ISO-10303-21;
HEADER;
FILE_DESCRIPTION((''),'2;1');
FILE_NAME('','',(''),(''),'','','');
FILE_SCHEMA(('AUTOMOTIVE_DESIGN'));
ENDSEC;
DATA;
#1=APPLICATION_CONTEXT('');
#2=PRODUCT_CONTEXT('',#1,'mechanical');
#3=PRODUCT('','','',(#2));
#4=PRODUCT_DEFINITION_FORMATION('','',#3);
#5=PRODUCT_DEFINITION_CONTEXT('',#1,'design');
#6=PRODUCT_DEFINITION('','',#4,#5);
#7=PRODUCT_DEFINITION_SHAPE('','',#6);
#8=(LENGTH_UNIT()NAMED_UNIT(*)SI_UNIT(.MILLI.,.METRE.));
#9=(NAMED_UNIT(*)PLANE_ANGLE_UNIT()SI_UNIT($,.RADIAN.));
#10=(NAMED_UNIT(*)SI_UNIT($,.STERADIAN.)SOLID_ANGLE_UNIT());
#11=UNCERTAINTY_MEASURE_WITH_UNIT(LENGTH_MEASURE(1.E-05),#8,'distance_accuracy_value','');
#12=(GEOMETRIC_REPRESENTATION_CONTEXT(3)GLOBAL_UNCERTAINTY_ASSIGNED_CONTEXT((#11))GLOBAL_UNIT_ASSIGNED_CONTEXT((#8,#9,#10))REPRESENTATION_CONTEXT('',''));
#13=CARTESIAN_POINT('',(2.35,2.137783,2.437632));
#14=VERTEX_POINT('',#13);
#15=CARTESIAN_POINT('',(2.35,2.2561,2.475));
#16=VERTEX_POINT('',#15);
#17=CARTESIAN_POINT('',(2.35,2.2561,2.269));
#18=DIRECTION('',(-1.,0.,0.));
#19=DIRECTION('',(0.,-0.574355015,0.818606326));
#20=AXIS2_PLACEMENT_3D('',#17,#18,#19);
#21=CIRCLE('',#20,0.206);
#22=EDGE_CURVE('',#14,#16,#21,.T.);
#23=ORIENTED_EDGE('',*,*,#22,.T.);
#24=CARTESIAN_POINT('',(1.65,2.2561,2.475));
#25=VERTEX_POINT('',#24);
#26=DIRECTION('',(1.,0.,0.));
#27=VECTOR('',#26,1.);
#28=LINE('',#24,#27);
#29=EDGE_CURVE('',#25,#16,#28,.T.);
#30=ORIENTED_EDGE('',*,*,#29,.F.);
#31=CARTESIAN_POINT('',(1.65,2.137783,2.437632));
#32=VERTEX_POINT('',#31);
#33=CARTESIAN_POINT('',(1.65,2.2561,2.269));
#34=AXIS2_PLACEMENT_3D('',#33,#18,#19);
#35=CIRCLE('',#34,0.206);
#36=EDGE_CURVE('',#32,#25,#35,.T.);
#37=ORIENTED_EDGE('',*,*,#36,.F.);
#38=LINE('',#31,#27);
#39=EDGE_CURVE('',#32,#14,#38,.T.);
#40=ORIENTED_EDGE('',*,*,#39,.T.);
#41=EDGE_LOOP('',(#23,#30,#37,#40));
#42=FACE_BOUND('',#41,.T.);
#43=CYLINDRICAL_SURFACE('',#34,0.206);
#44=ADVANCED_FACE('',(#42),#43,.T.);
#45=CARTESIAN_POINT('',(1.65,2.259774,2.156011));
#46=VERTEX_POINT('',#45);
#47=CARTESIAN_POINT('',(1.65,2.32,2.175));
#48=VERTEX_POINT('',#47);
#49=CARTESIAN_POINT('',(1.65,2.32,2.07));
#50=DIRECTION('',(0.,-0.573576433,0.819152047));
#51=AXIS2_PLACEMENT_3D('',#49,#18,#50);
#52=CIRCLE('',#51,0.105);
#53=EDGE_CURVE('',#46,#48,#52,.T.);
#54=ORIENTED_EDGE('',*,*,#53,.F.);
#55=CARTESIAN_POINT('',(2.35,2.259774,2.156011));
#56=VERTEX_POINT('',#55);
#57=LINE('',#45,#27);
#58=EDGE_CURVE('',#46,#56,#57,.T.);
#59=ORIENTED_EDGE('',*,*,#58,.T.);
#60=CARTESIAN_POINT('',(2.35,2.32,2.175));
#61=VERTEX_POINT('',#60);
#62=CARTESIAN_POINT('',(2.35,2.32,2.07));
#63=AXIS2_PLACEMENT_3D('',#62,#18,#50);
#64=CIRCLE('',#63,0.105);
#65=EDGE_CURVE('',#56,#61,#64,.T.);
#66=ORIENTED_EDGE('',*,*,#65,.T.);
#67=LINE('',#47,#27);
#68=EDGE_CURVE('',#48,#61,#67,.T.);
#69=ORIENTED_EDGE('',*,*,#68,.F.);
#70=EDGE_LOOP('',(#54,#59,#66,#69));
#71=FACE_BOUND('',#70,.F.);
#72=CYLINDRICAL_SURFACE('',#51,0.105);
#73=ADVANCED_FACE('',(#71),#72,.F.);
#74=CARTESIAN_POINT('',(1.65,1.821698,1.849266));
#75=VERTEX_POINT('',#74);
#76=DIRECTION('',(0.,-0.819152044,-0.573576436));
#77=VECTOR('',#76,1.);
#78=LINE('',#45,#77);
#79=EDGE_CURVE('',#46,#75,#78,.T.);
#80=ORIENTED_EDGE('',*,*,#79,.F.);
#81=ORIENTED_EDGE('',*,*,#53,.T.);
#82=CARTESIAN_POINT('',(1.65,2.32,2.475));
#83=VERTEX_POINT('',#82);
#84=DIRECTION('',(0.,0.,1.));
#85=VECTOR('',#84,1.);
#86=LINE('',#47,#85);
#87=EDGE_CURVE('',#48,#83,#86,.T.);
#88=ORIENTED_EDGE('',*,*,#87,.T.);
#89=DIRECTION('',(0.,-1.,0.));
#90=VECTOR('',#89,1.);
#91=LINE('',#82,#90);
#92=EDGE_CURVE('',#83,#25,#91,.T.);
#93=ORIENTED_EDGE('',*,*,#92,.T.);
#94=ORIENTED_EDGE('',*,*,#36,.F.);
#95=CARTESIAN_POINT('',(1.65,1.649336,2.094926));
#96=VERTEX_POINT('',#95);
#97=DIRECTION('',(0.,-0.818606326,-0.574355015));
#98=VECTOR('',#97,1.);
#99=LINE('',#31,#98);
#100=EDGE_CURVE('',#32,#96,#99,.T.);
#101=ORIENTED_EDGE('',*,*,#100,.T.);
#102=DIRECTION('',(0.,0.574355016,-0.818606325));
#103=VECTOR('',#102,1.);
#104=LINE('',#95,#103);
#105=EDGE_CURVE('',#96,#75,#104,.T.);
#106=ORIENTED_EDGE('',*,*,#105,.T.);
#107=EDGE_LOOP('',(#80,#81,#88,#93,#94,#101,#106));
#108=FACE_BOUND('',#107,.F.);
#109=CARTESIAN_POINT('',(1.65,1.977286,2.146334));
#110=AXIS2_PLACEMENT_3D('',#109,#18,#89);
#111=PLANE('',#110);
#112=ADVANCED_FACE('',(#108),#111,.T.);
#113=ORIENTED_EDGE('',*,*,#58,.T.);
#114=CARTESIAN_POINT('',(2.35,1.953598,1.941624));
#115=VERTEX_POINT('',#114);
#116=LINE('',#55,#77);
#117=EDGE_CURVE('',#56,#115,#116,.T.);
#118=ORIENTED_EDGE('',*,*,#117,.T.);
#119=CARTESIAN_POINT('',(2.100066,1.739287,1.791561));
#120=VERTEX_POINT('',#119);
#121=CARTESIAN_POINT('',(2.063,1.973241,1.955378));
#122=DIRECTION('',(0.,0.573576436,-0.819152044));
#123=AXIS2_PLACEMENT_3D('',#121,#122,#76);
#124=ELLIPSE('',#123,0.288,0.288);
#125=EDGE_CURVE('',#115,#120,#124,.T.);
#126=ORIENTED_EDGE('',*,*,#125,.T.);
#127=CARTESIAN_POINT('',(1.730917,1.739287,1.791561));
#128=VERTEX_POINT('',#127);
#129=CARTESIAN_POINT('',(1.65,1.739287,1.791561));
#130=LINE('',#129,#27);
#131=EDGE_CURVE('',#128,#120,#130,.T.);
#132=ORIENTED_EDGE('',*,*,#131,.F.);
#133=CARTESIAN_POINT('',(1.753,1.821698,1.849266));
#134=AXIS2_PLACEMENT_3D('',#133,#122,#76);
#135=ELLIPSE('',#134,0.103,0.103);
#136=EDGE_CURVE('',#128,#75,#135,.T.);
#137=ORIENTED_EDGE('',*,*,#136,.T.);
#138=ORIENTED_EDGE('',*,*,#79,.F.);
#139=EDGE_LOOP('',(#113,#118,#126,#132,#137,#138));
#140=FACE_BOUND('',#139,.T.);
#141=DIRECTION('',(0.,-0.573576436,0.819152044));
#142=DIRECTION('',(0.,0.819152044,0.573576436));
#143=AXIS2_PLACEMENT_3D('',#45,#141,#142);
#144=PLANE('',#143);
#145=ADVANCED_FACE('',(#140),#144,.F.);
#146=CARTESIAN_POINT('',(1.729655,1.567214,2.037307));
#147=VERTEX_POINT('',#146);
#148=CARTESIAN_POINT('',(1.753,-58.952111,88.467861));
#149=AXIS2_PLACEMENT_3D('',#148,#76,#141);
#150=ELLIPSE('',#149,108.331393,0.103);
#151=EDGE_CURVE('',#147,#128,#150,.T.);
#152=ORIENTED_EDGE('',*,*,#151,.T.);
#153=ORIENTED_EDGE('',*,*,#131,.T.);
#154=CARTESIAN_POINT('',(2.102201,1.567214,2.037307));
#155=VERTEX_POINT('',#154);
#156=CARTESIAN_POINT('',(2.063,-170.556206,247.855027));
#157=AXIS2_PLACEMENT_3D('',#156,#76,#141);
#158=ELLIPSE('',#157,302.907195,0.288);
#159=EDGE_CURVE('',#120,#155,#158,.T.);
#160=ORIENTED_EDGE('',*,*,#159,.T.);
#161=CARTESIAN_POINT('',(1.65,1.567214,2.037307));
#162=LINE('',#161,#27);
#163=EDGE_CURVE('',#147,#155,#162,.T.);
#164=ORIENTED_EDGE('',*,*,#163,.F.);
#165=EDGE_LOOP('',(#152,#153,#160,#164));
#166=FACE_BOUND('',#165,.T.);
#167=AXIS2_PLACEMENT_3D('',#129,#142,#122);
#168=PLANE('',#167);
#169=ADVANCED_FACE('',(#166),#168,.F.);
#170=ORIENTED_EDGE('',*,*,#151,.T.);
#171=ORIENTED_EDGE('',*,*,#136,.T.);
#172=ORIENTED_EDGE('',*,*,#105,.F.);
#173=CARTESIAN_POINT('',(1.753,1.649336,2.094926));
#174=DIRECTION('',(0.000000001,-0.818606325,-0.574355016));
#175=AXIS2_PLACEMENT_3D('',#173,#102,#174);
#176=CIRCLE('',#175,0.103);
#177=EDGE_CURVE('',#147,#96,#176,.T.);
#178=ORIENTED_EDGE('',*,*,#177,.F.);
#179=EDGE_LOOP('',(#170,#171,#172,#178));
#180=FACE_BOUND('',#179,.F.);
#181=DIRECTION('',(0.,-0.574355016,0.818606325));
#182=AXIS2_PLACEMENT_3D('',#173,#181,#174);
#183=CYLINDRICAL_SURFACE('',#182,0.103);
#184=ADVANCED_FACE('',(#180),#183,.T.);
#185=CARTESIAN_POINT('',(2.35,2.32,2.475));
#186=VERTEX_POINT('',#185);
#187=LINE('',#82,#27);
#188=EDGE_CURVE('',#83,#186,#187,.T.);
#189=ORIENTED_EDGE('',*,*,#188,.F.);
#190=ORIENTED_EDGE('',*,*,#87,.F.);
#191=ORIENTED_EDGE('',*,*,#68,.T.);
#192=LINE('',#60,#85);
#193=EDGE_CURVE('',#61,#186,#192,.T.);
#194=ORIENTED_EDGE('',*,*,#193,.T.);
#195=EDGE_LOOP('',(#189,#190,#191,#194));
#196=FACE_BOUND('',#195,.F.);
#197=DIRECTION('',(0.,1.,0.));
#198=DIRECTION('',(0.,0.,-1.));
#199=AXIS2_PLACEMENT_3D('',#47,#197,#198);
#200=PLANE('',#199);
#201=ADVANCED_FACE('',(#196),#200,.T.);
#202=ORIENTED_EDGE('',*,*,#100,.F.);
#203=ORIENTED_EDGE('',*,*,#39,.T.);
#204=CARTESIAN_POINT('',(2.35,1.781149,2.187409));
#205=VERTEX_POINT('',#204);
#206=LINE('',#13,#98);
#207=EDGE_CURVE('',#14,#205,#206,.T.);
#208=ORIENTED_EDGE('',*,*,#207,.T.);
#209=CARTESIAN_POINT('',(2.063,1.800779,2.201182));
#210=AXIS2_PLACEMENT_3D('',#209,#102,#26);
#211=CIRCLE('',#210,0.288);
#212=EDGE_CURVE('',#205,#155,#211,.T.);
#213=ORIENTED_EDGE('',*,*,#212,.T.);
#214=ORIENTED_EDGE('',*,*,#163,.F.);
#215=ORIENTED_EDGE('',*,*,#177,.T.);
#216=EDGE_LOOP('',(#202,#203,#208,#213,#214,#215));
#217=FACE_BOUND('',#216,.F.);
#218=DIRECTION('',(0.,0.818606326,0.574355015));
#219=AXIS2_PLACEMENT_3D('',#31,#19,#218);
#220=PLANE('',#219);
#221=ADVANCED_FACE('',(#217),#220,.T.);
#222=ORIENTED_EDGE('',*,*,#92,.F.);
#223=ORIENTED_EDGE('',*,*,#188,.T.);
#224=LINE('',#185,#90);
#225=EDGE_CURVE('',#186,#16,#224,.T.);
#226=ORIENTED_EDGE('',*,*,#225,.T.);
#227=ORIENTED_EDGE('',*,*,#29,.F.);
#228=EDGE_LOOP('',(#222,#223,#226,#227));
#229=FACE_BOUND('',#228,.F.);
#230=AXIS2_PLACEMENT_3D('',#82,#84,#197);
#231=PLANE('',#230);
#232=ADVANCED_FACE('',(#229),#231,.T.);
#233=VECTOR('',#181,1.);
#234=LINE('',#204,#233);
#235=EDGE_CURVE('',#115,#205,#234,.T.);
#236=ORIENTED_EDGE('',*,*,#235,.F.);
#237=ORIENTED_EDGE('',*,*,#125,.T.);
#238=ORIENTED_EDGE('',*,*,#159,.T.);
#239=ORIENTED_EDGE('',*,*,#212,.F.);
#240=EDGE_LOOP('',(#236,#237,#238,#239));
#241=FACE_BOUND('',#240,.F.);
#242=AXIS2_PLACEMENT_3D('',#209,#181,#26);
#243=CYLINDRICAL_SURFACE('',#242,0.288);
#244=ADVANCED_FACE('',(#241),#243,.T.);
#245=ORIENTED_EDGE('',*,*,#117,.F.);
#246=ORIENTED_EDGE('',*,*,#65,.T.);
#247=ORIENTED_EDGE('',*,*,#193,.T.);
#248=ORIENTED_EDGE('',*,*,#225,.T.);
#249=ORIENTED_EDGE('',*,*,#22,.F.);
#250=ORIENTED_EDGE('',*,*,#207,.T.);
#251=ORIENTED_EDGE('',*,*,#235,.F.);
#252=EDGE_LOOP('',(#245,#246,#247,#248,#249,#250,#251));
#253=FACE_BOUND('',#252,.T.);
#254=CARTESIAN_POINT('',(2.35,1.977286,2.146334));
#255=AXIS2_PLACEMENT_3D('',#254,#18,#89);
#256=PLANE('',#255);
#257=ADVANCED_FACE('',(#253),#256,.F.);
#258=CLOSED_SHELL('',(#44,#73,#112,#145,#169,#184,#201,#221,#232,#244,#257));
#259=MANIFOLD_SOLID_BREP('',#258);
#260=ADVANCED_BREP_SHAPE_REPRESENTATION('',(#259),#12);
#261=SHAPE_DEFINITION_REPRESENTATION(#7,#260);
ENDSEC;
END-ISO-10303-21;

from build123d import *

# Parameters (mm, degrees)
PAD011_DEPTH    = 0.7
POCKET010_DEPTH = 0.6345351801


with BuildPart() as pocket010:
    # Sketch022 → Pad011 (new body)
    with BuildSketch(Plane(origin=(1.6500000167, -2.3199999803, 2.1749995953), x_dir=(0, 1, 0), z_dir=(1, 0, 0))):
        with BuildLine():
            Line((0, 0), (0, 0.3))
            Line((0, 0.3), (0.0639, 0.3))
            ThreePointArc((0.1822171332, 0.262632903), (0.1259387861, 0.2904362212), (0.0639, 0.3))
            Line((0.1822171332, 0.262632903), (0.7527857421, -0.1376925428))
            Line((0.5807128112, -0.3834381561), (0.7527857421, -0.1376925428))
            Line((0.0602255258, -0.0189890353), (0.5807128112, -0.3834381561))
            ThreePointArc((0.0602255258, -0.0189890353), (0.0315741089, -0.0048597202), (0, 0))
        make_face()
    extrude(amount=PAD011_DEPTH)

    # Sketch023 (on Face5 of Pad011) → Pocket010 (cut, through all)
    with BuildSketch(Plane(origin=(1.6500000167, -2.1364072387, 2.4366673365), x_dir=(0, -0.8186063255, 0.5743550156), z_dir=(0, 0.5743550156, 0.8186063255))):
        with BuildLine():
            ThreePointArc((-0.698, 0.103), (-0.6678319985, 0.0301680015), (-0.595, 0))
            Line((-0.595, 0), (-0.748, 0))
            Line((-0.748, 0.701), (-0.748, 0))
            Line((-0.41, 0.701), (-0.748, 0.701))
            ThreePointArc((-0.41, 0.701), (-0.613646753, 0.616646753), (-0.698, 0.413))
            Line((-0.698, 0.413), (-0.698, 0.103))
        make_face()
    extrude(amount=-POCKET010_DEPTH, mode=Mode.SUBTRACT)


with BuildPart() as part_mirroring004:
    # Part__Mirroring004: instance of Pocket010
    add(pocket010.part.mirror(Plane(origin=(0, 0, 0), x_dir=(1, 0, 0), z_dir=(0, 1, 0))))


solid = part_mirroring004.part
